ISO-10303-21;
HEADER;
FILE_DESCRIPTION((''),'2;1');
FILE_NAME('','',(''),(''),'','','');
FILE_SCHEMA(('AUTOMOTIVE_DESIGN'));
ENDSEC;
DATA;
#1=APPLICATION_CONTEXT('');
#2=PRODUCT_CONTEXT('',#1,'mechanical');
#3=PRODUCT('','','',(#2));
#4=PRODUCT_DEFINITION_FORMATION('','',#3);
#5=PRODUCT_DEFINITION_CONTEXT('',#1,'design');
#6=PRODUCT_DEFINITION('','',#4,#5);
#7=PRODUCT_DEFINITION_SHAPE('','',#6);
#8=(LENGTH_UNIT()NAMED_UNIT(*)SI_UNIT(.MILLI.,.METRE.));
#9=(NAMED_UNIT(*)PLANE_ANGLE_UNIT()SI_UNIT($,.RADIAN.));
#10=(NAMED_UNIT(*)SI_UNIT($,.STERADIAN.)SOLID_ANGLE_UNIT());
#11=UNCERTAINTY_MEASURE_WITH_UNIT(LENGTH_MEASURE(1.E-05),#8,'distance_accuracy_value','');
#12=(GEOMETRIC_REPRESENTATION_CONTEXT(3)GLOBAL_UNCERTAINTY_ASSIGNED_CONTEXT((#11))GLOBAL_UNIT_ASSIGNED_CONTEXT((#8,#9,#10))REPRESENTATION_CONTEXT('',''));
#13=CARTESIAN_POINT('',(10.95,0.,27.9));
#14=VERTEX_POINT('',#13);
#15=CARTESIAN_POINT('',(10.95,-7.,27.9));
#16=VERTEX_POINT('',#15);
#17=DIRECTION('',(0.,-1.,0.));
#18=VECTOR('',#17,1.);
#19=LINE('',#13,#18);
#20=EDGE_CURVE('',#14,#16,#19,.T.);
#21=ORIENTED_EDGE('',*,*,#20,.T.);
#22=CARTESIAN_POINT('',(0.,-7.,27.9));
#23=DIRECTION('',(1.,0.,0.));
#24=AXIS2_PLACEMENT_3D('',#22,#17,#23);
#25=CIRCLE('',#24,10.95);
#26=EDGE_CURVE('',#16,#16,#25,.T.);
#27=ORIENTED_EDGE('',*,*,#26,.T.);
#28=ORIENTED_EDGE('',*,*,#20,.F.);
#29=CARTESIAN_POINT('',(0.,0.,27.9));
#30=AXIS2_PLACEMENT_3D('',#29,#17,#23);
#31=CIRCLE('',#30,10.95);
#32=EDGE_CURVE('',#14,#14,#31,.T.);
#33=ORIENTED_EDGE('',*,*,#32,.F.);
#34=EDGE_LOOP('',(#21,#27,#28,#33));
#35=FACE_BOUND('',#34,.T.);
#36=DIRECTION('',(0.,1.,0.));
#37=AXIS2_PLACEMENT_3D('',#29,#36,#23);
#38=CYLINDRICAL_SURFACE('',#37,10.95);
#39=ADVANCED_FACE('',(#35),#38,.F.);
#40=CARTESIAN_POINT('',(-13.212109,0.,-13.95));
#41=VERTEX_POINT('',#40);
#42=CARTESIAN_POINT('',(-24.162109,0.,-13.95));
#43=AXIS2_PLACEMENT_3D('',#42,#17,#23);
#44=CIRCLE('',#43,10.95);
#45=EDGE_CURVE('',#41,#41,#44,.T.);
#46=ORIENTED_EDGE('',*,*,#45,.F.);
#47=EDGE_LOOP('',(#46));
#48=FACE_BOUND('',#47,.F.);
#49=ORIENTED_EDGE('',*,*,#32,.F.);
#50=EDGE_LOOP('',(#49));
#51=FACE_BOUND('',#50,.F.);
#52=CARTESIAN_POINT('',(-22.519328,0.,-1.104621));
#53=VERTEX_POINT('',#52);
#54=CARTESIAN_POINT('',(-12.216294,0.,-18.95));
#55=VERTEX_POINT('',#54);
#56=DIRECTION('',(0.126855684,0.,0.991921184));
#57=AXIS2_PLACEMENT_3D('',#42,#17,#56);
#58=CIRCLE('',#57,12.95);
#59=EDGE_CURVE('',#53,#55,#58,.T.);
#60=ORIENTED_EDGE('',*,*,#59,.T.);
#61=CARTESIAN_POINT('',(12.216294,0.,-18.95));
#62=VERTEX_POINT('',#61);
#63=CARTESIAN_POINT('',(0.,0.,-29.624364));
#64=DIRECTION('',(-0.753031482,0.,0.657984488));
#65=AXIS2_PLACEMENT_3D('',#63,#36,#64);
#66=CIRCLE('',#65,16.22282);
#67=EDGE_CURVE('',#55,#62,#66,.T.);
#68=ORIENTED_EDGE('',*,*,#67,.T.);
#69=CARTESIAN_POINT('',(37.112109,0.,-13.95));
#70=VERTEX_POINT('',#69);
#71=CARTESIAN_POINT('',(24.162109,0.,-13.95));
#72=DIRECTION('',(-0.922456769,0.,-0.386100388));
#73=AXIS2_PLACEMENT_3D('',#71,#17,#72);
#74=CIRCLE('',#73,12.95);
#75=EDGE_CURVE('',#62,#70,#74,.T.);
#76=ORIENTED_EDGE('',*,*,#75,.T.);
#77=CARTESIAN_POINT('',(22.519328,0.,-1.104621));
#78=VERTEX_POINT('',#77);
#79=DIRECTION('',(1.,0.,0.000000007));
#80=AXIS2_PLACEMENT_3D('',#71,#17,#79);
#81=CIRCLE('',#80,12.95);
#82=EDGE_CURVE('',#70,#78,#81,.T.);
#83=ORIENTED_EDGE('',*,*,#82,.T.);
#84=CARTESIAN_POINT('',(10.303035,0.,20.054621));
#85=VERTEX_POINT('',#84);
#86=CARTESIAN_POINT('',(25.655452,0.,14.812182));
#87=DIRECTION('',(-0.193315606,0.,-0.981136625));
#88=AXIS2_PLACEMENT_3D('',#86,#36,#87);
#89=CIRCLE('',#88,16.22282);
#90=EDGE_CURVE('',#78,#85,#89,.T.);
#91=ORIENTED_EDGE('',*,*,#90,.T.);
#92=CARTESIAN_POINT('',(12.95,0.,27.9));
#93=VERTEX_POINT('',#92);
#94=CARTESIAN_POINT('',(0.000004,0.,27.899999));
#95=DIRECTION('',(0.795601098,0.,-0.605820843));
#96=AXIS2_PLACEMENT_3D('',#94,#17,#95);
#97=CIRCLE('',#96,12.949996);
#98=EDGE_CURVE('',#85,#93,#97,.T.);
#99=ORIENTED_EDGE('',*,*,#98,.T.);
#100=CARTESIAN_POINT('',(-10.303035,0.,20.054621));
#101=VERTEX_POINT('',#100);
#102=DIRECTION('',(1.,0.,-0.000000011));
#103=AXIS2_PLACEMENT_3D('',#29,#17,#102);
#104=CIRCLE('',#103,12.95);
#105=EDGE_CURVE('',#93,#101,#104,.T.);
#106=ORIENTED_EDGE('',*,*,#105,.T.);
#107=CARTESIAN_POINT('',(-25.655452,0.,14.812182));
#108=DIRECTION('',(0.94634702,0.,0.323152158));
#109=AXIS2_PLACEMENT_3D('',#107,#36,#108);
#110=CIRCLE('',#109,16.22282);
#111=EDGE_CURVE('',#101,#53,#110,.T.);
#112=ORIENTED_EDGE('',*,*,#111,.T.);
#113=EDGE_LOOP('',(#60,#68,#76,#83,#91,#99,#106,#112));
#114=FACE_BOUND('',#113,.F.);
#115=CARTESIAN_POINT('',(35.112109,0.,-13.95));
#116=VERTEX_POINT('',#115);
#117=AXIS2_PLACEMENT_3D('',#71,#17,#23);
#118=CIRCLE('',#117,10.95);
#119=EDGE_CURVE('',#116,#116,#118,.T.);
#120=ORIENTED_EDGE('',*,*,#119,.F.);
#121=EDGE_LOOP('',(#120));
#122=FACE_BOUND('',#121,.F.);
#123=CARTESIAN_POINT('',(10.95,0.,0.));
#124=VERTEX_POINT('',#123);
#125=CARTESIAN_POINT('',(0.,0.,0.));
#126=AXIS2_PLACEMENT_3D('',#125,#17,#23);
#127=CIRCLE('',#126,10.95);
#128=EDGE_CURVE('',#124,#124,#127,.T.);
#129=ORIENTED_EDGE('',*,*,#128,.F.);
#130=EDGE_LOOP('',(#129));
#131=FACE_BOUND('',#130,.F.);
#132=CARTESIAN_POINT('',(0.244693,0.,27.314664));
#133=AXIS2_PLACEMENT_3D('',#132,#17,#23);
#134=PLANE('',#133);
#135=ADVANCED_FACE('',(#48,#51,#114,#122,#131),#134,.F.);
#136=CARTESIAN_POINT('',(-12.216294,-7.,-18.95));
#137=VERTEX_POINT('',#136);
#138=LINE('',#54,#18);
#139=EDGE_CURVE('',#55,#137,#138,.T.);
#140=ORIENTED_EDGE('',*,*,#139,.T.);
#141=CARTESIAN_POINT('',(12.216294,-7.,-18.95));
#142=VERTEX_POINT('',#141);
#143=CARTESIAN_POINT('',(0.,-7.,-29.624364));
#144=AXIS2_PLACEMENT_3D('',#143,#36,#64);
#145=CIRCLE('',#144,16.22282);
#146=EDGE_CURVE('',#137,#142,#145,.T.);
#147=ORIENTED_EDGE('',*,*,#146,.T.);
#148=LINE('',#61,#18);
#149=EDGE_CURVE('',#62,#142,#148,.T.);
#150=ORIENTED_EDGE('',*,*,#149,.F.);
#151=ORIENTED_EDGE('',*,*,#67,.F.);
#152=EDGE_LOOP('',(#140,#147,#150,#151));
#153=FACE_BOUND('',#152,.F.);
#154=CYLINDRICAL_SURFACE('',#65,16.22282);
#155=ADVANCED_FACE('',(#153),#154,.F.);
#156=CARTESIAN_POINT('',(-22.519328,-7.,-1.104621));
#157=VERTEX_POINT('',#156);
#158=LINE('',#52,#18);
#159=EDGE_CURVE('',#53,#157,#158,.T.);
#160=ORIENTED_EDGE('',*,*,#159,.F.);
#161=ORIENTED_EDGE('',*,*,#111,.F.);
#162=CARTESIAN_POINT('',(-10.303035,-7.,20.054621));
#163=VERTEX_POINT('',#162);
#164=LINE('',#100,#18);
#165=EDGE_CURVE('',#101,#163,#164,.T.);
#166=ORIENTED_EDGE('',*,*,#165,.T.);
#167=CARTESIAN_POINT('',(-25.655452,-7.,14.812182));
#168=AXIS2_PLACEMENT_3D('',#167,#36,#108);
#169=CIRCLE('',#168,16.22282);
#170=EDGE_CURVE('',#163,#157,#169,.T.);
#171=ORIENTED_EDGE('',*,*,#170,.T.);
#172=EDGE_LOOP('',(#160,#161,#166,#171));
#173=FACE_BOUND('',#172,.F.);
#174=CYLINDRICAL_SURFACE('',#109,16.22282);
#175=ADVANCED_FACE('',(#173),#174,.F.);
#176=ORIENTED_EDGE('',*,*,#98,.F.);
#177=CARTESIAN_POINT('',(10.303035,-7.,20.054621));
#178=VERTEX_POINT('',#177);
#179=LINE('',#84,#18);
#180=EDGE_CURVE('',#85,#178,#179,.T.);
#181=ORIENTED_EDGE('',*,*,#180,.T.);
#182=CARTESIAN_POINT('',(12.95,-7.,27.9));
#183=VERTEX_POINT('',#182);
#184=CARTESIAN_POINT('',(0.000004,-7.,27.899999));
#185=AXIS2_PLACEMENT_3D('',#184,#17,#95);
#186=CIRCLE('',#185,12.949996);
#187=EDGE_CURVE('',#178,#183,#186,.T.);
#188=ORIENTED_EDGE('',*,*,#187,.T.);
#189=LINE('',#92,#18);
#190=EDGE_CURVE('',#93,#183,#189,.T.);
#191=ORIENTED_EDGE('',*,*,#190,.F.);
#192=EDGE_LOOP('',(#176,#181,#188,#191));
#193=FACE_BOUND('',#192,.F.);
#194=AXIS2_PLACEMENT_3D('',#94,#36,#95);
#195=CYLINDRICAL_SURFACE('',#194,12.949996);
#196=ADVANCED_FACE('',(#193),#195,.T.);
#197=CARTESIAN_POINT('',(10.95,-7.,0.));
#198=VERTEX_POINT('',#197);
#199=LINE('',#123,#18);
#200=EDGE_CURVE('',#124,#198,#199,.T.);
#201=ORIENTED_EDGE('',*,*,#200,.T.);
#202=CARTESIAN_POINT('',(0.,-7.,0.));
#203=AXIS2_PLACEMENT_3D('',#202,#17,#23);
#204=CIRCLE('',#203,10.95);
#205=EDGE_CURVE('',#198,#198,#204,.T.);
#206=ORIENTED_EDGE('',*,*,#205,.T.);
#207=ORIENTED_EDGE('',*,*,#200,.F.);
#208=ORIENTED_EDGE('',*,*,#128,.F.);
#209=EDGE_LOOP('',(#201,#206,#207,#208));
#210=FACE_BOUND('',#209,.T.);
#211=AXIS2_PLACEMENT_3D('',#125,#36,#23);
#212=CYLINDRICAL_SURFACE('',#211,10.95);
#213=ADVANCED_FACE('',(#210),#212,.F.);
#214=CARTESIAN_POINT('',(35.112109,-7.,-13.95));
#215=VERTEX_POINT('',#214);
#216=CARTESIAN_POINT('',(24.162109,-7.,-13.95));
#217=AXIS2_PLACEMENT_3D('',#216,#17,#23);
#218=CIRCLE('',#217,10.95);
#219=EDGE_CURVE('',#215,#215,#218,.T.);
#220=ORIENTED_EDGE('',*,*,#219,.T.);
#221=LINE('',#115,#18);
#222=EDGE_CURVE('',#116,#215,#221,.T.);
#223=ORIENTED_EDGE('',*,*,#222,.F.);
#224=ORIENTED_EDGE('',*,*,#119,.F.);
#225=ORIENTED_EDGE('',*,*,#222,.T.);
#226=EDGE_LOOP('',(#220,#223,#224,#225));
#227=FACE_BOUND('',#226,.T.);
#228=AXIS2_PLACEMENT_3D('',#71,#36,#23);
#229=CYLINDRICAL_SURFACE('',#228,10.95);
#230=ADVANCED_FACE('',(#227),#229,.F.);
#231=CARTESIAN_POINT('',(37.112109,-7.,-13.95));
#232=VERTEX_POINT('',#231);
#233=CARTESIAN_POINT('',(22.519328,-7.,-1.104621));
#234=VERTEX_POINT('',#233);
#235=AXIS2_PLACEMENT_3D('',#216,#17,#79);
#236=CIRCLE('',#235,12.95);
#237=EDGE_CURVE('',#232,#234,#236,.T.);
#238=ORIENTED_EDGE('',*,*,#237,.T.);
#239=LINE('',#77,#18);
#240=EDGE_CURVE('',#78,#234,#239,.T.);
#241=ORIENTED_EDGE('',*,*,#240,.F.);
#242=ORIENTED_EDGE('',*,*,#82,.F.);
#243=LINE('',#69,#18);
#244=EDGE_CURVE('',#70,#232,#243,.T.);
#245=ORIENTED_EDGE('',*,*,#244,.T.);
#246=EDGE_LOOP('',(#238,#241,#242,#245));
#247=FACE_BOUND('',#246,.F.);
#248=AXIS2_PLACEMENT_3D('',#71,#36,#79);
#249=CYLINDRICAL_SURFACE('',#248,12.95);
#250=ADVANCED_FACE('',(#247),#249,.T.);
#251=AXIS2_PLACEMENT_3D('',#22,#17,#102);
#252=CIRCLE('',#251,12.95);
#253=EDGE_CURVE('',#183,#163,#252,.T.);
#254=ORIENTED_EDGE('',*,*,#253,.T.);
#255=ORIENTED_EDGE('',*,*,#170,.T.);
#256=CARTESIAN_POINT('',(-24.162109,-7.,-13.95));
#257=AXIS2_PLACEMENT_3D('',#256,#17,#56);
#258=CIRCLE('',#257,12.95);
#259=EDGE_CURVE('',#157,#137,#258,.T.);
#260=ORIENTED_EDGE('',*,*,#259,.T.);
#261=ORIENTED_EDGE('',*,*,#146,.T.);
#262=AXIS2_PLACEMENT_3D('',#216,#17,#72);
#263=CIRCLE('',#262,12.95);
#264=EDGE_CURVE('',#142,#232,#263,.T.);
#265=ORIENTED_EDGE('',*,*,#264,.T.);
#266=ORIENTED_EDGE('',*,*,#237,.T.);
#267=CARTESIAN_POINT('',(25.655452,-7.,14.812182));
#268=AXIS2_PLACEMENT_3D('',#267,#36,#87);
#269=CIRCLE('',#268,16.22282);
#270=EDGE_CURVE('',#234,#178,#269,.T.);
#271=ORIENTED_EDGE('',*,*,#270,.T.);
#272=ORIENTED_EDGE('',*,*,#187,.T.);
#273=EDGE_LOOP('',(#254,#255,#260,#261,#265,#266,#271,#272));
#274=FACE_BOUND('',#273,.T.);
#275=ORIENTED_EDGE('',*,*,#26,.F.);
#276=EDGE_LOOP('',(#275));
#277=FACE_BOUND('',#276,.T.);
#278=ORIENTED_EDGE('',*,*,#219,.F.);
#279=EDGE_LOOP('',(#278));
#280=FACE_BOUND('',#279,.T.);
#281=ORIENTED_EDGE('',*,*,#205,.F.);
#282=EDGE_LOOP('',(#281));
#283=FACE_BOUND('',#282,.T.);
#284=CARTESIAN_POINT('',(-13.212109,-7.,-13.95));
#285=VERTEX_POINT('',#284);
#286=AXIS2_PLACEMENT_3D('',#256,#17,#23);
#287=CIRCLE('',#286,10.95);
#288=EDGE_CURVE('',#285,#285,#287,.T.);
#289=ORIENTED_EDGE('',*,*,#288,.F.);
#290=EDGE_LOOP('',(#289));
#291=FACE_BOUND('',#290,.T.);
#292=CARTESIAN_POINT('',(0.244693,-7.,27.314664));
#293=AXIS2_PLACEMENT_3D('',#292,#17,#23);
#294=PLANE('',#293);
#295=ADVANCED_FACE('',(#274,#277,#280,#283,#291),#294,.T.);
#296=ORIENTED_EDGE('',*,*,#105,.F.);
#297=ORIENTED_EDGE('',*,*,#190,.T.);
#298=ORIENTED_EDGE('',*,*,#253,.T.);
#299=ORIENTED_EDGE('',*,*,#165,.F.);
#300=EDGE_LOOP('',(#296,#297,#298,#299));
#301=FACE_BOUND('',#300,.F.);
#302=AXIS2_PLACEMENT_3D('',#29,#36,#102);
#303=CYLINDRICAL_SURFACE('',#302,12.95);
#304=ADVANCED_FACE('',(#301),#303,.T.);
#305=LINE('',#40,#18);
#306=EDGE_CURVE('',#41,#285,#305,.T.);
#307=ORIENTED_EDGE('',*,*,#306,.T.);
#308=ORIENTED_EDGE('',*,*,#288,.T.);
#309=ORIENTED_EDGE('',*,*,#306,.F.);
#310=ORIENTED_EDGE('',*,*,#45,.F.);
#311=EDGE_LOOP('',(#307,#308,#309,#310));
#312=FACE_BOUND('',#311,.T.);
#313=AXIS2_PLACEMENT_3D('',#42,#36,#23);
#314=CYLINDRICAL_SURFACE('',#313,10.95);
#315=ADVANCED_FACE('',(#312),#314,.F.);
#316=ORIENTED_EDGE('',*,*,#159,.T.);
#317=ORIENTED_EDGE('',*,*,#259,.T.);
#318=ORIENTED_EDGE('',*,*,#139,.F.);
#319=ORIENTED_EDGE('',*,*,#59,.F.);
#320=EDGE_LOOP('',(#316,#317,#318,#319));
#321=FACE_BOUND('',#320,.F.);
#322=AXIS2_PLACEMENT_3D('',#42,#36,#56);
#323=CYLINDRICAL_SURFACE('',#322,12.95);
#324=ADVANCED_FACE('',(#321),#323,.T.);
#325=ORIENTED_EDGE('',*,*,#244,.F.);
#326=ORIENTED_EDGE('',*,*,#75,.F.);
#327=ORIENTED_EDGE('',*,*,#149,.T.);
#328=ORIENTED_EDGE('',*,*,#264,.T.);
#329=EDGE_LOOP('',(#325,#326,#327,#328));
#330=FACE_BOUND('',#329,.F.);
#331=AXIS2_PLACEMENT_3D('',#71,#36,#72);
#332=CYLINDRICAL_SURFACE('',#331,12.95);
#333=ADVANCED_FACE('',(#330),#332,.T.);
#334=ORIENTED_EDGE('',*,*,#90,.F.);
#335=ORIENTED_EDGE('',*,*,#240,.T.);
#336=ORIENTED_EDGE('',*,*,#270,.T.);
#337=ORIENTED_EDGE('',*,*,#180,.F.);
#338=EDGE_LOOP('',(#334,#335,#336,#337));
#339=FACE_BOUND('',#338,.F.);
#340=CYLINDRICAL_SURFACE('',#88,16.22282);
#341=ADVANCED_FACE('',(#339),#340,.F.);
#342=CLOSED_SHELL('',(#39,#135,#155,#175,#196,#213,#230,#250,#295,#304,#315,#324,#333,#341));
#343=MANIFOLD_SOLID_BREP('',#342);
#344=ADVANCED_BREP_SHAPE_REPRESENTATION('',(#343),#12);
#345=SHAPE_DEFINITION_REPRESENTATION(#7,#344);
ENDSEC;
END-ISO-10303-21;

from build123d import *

# Parameters (mm, degrees)
F0_R     = 10.95
F0_R_2   = 12.95
F1_DEPTH = 7


with BuildPart() as f1:
    # F0 (on Front) → F1 (new body)
    with BuildSketch(Plane.XZ):
        with BuildLine():
            ThreePointArc((10.303035, 20.054621), (12.270428, 23.76006), (12.95, 27.9))
            ThreePointArc((12.95, 27.9), (-4.13994, 40.170428), (-10.303035, 20.054621))
            ThreePointArc((-10.303035, 20.054621), (0, 14.95), (10.303035, 20.054621))
        make_face()
        with Locations((0, 27.9)):
            Circle(F0_R, mode=Mode.SUBTRACT)
        with BuildLine():
            ThreePointArc((10.303035, 20.054621), (0, 14.95), (-10.303035, 20.054621))
            ThreePointArc((-10.303035, 20.054621), (-11.606078, 6.700772), (-22.519328, -1.104621))
            ThreePointArc((-22.519328, -1.104621), (-14.441602, -5.393468), (-11.212109, -13.95))
            ThreePointArc((-11.212109, -13.95), (-11.465637, -16.499921), (-12.216294, -18.95))
            ThreePointArc((-12.216294, -18.95), (0, -13.401544), (12.216294, -18.95))
            ThreePointArc((12.216294, -18.95), (12.94708, -7.475), (22.519328, -1.104621))
            ThreePointArc((22.519328, -1.104621), (11.606078, 6.700772), (10.303035, 20.054621))
        make_face()
        Circle(F0_R_2, mode=Mode.SUBTRACT)
        with BuildLine():
            ThreePointArc((-11.212109, -13.95), (-14.441602, -5.393468), (-22.519328, -1.104621))
            ThreePointArc((-22.519328, -1.104621), (-35.377138, -20.425), (-12.216294, -18.95))
            ThreePointArc((-12.216294, -18.95), (-11.465637, -16.499921), (-11.212109, -13.95))
        make_face()
        with Locations((-24.162109, -13.95)):
            Circle(F0_R, mode=Mode.SUBTRACT)
        with BuildLine():
            ThreePointArc((37.112109, -13.95), (32.718641, -4.229493), (22.519328, -1.104621))
            ThreePointArc((22.519328, -1.104621), (12.94708, -7.475), (12.216294, -18.95))
            ThreePointArc((12.216294, -18.95), (26.71203, -26.646472), (37.112109, -13.95))
        make_face()
        with Locations((24.162109, -13.95)):
            Circle(F0_R, mode=Mode.SUBTRACT)
        Circle(F0_R_2)
        Circle(F0_R, mode=Mode.SUBTRACT)
    extrude(amount=F1_DEPTH)


solid = f1.part
